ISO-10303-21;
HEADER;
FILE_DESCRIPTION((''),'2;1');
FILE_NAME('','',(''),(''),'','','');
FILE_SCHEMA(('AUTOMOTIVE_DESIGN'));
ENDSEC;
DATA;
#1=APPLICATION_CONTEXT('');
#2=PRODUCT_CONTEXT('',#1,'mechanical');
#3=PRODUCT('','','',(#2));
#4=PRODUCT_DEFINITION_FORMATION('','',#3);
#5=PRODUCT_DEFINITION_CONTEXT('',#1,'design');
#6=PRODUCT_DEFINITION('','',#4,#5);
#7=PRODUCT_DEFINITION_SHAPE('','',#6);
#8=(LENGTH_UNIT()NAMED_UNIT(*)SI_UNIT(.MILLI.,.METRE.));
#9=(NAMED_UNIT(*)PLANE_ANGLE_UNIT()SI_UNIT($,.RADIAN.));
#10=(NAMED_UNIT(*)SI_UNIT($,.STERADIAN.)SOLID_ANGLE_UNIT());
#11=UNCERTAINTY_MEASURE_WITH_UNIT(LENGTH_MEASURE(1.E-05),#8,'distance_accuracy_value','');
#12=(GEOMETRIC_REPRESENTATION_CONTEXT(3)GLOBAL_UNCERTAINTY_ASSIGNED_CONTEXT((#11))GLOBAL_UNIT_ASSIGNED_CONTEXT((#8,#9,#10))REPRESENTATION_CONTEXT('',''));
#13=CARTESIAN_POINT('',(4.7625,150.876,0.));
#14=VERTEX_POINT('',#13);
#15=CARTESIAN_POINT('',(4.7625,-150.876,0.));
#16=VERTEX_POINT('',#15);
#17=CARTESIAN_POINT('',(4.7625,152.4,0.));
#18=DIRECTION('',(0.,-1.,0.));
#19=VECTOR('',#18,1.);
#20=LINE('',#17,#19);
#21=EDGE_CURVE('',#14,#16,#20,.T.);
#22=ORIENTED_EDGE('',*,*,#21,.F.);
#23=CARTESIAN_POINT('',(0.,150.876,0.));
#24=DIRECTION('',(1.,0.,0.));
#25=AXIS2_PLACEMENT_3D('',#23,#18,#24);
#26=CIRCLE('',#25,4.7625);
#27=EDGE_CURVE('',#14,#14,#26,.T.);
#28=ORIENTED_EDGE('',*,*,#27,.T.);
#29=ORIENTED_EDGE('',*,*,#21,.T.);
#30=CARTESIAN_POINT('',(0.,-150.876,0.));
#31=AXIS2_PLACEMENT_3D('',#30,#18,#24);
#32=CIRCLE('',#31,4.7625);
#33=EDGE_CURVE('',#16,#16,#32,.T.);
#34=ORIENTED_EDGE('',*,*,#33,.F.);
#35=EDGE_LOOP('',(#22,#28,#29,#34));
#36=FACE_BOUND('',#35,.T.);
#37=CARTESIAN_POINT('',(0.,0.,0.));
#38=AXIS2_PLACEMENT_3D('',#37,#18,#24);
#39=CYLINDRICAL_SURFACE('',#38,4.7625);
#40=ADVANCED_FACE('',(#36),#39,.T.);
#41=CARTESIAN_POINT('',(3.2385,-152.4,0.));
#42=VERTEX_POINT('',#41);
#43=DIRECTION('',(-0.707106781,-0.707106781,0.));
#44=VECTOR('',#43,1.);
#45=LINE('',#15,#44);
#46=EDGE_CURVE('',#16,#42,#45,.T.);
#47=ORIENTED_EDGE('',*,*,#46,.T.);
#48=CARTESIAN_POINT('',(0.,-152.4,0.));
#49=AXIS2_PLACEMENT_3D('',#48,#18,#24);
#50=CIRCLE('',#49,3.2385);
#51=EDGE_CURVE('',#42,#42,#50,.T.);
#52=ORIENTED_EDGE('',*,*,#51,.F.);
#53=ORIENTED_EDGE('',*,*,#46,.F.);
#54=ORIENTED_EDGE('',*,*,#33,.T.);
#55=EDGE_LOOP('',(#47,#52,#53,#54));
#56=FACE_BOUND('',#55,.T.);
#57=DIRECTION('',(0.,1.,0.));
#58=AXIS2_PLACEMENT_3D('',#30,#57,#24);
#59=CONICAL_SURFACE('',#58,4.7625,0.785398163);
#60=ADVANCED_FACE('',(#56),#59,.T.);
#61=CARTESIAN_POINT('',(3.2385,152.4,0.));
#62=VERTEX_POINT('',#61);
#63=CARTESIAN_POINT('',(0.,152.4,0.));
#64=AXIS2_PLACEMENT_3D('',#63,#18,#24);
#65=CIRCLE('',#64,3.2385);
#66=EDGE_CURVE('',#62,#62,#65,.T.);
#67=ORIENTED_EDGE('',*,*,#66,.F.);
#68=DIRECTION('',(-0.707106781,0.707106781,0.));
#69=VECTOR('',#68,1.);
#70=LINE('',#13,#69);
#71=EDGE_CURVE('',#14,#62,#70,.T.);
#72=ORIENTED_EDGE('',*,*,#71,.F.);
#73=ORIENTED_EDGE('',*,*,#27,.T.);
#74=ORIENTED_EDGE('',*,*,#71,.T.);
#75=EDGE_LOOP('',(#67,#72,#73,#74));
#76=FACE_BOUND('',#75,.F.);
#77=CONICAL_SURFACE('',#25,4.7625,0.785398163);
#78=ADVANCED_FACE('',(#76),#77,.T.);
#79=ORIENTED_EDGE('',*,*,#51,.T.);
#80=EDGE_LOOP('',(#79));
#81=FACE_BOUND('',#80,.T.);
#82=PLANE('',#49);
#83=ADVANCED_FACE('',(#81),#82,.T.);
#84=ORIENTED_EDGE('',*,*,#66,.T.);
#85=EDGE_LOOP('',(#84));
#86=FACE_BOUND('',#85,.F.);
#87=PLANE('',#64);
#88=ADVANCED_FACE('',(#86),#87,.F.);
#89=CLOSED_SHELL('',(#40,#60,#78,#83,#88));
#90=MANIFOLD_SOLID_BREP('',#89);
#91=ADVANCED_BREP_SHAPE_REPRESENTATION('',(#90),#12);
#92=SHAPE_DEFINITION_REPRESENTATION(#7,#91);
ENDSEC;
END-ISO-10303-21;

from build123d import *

# Parameters (mm, degrees)
F0_R     = 4.7625
F1_DEPTH = 152.4
F2_SIZE  = 1.524


with BuildPart() as f1:
    # F0 (on Front) → F1 (new body, symmetric)
    with BuildSketch(Plane.XZ):
        Circle(F0_R)
    extrude(amount=F1_DEPTH, both=True)

    # F2
    f2_edges = [f1.edges().sort_by_distance(p)[0] for p in [
        (-4.7625, -152.4, 0),
        (-4.7625, 152.4, 0),
        (4.7625, 0, 0),
    ]]
    chamfer(f2_edges, length=F2_SIZE)


solid = f1.part
